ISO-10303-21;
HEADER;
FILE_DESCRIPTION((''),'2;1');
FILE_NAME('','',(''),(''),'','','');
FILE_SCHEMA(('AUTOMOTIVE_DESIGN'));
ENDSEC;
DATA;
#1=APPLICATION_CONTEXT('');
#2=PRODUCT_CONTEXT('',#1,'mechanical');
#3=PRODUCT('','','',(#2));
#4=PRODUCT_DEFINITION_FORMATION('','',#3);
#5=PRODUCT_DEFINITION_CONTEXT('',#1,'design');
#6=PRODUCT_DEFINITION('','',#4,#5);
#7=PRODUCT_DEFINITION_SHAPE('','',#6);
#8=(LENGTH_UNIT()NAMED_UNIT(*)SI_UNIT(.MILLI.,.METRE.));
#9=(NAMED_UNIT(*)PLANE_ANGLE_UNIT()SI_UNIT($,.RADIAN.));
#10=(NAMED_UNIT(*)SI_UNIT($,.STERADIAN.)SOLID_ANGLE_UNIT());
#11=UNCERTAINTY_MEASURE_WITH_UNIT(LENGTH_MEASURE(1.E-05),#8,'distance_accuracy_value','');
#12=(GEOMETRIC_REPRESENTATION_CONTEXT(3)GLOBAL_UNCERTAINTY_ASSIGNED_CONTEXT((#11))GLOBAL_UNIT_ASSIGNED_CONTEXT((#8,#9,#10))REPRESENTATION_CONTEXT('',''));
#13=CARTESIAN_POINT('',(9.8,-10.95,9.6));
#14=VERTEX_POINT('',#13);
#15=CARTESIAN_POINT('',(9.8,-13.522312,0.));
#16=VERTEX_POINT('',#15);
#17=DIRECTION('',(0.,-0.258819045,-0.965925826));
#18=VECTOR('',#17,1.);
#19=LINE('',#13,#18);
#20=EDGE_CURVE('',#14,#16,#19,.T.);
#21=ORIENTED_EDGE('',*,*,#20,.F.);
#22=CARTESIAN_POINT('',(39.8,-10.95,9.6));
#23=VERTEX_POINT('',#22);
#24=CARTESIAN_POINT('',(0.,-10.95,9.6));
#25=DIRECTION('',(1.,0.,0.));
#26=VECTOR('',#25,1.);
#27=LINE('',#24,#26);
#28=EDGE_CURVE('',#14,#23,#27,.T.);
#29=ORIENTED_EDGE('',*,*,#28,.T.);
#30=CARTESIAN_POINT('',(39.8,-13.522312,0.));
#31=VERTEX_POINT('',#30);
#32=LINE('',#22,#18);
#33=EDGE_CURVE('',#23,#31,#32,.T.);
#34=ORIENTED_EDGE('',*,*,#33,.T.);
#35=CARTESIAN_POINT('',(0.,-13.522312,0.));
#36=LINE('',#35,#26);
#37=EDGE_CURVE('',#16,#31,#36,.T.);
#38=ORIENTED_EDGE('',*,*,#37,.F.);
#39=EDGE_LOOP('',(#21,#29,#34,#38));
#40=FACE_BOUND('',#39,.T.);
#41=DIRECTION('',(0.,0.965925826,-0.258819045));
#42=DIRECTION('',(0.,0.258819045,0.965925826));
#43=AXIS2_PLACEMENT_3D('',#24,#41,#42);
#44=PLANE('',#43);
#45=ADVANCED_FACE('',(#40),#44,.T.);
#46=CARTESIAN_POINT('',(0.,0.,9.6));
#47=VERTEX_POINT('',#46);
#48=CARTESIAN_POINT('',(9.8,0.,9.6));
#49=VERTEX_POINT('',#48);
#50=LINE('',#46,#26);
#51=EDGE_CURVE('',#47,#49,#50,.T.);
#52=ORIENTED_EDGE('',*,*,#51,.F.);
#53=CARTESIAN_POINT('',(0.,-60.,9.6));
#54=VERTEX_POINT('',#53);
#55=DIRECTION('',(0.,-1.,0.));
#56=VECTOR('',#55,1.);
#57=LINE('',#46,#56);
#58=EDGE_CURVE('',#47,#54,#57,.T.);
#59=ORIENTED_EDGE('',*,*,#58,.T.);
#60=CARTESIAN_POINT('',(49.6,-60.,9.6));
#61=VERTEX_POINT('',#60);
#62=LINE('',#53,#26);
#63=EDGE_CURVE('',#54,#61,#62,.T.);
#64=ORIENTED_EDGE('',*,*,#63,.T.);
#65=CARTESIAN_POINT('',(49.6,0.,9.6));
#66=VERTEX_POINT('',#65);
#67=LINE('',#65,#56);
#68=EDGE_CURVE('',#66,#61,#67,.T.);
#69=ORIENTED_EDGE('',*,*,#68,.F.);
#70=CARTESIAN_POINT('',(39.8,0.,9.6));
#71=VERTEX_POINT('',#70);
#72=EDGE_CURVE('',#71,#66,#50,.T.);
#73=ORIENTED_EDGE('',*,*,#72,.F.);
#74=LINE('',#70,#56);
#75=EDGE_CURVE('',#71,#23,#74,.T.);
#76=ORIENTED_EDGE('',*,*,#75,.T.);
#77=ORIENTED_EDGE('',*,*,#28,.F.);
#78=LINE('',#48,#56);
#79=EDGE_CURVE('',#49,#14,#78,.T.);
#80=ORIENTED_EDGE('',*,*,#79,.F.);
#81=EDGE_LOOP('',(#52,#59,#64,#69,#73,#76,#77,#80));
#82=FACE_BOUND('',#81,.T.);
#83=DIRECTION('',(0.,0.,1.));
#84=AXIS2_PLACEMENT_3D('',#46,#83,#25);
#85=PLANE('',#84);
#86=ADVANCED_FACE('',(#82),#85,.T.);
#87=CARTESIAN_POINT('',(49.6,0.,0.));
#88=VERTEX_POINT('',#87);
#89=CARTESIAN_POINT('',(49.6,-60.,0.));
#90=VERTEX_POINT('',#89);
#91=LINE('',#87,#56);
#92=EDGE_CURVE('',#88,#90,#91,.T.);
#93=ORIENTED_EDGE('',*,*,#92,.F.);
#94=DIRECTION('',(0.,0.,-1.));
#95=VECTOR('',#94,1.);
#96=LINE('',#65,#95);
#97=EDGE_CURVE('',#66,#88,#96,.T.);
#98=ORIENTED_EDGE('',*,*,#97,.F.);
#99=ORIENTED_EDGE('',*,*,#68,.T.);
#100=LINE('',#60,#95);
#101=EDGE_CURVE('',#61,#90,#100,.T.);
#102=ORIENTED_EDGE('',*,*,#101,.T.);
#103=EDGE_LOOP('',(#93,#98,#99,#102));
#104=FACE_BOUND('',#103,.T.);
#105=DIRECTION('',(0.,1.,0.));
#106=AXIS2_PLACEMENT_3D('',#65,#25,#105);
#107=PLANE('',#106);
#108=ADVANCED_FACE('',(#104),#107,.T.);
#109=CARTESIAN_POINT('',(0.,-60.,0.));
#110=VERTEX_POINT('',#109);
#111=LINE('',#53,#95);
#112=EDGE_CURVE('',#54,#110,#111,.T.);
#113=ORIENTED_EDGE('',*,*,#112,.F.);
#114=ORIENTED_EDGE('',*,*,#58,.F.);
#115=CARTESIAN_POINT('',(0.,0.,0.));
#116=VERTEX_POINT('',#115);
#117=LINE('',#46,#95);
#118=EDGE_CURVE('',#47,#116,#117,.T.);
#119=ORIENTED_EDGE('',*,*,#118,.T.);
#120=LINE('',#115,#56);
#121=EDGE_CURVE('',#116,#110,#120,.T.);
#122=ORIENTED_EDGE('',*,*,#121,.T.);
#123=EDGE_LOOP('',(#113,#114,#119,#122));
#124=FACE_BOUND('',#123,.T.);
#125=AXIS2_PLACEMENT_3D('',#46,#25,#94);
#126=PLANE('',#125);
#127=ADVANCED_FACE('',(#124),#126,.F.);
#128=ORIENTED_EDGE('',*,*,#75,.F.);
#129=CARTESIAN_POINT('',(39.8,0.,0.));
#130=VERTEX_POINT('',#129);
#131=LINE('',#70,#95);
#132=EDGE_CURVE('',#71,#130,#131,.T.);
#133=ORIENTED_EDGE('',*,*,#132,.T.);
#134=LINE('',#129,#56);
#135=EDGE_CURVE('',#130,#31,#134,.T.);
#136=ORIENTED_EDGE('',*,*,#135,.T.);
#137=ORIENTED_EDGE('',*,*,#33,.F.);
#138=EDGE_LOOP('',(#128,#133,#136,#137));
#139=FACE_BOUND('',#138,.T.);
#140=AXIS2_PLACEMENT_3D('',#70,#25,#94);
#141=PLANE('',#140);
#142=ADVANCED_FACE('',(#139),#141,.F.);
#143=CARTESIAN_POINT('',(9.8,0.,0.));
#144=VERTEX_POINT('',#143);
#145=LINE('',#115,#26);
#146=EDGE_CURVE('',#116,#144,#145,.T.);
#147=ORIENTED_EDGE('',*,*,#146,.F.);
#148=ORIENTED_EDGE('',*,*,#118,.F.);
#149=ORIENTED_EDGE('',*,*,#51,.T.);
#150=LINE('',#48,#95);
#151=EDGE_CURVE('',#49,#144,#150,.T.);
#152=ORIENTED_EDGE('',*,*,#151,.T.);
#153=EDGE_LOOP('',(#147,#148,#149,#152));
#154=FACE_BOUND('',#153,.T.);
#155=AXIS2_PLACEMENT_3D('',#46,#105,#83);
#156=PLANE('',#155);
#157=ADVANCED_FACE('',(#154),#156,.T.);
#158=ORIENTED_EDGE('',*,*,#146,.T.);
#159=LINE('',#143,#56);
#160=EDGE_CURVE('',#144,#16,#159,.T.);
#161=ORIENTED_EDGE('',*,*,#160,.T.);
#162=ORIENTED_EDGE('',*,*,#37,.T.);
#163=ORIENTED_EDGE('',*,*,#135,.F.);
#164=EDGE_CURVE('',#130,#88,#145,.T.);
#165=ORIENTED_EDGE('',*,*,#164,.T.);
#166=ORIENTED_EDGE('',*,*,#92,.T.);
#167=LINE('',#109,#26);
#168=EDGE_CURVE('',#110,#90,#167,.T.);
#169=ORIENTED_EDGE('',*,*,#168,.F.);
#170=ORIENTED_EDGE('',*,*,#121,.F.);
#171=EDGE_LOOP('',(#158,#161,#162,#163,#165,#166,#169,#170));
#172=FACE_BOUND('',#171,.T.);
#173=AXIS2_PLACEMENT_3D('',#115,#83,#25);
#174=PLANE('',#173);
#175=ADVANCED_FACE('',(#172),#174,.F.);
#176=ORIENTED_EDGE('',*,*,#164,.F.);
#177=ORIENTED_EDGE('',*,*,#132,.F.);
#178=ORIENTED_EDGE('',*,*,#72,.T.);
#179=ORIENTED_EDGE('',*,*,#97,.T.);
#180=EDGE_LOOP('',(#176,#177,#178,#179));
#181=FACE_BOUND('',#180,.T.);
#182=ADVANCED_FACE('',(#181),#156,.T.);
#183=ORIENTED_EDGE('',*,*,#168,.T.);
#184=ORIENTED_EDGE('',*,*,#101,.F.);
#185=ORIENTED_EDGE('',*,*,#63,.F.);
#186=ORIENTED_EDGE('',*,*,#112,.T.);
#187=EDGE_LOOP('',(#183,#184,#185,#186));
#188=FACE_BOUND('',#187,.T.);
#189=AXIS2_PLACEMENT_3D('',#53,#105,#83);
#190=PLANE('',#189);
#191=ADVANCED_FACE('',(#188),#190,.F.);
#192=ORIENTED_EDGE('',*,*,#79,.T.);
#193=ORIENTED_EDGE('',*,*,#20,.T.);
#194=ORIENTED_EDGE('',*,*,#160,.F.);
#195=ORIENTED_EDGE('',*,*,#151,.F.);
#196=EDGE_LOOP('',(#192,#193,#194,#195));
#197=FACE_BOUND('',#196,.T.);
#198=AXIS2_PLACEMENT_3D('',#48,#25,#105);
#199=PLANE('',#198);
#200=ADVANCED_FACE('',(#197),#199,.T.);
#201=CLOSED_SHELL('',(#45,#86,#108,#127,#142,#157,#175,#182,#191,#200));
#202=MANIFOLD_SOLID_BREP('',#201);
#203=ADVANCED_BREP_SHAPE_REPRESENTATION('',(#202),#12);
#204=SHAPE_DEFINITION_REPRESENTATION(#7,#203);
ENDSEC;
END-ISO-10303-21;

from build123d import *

# Parameters (mm, degrees)
EXTRUDE_1_DEPTH = 9.6
DRAFT_5_ANGLE   = -15


with BuildPart() as part:
    # 草图1 → 凸台-拉伸1 (new body)
    with BuildSketch(Plane.XY):
        Polygon((9.8, 0), (0, 0), (0, -60), (49.6, -60), (49.6, 0), (39.8, 0), (39.8, -10.95), (9.8, -10.95), align=None)
    extrude(amount=EXTRUDE_1_DEPTH)

    # 拔模5
    draft_5_faces = [part.faces().sort_by_distance(p)[0] for p in [
        (24.8, -10.95, 4.8),
    ]]
    draft(draft_5_faces, Plane.XY.offset(9.6), DRAFT_5_ANGLE)


solid = part.part
